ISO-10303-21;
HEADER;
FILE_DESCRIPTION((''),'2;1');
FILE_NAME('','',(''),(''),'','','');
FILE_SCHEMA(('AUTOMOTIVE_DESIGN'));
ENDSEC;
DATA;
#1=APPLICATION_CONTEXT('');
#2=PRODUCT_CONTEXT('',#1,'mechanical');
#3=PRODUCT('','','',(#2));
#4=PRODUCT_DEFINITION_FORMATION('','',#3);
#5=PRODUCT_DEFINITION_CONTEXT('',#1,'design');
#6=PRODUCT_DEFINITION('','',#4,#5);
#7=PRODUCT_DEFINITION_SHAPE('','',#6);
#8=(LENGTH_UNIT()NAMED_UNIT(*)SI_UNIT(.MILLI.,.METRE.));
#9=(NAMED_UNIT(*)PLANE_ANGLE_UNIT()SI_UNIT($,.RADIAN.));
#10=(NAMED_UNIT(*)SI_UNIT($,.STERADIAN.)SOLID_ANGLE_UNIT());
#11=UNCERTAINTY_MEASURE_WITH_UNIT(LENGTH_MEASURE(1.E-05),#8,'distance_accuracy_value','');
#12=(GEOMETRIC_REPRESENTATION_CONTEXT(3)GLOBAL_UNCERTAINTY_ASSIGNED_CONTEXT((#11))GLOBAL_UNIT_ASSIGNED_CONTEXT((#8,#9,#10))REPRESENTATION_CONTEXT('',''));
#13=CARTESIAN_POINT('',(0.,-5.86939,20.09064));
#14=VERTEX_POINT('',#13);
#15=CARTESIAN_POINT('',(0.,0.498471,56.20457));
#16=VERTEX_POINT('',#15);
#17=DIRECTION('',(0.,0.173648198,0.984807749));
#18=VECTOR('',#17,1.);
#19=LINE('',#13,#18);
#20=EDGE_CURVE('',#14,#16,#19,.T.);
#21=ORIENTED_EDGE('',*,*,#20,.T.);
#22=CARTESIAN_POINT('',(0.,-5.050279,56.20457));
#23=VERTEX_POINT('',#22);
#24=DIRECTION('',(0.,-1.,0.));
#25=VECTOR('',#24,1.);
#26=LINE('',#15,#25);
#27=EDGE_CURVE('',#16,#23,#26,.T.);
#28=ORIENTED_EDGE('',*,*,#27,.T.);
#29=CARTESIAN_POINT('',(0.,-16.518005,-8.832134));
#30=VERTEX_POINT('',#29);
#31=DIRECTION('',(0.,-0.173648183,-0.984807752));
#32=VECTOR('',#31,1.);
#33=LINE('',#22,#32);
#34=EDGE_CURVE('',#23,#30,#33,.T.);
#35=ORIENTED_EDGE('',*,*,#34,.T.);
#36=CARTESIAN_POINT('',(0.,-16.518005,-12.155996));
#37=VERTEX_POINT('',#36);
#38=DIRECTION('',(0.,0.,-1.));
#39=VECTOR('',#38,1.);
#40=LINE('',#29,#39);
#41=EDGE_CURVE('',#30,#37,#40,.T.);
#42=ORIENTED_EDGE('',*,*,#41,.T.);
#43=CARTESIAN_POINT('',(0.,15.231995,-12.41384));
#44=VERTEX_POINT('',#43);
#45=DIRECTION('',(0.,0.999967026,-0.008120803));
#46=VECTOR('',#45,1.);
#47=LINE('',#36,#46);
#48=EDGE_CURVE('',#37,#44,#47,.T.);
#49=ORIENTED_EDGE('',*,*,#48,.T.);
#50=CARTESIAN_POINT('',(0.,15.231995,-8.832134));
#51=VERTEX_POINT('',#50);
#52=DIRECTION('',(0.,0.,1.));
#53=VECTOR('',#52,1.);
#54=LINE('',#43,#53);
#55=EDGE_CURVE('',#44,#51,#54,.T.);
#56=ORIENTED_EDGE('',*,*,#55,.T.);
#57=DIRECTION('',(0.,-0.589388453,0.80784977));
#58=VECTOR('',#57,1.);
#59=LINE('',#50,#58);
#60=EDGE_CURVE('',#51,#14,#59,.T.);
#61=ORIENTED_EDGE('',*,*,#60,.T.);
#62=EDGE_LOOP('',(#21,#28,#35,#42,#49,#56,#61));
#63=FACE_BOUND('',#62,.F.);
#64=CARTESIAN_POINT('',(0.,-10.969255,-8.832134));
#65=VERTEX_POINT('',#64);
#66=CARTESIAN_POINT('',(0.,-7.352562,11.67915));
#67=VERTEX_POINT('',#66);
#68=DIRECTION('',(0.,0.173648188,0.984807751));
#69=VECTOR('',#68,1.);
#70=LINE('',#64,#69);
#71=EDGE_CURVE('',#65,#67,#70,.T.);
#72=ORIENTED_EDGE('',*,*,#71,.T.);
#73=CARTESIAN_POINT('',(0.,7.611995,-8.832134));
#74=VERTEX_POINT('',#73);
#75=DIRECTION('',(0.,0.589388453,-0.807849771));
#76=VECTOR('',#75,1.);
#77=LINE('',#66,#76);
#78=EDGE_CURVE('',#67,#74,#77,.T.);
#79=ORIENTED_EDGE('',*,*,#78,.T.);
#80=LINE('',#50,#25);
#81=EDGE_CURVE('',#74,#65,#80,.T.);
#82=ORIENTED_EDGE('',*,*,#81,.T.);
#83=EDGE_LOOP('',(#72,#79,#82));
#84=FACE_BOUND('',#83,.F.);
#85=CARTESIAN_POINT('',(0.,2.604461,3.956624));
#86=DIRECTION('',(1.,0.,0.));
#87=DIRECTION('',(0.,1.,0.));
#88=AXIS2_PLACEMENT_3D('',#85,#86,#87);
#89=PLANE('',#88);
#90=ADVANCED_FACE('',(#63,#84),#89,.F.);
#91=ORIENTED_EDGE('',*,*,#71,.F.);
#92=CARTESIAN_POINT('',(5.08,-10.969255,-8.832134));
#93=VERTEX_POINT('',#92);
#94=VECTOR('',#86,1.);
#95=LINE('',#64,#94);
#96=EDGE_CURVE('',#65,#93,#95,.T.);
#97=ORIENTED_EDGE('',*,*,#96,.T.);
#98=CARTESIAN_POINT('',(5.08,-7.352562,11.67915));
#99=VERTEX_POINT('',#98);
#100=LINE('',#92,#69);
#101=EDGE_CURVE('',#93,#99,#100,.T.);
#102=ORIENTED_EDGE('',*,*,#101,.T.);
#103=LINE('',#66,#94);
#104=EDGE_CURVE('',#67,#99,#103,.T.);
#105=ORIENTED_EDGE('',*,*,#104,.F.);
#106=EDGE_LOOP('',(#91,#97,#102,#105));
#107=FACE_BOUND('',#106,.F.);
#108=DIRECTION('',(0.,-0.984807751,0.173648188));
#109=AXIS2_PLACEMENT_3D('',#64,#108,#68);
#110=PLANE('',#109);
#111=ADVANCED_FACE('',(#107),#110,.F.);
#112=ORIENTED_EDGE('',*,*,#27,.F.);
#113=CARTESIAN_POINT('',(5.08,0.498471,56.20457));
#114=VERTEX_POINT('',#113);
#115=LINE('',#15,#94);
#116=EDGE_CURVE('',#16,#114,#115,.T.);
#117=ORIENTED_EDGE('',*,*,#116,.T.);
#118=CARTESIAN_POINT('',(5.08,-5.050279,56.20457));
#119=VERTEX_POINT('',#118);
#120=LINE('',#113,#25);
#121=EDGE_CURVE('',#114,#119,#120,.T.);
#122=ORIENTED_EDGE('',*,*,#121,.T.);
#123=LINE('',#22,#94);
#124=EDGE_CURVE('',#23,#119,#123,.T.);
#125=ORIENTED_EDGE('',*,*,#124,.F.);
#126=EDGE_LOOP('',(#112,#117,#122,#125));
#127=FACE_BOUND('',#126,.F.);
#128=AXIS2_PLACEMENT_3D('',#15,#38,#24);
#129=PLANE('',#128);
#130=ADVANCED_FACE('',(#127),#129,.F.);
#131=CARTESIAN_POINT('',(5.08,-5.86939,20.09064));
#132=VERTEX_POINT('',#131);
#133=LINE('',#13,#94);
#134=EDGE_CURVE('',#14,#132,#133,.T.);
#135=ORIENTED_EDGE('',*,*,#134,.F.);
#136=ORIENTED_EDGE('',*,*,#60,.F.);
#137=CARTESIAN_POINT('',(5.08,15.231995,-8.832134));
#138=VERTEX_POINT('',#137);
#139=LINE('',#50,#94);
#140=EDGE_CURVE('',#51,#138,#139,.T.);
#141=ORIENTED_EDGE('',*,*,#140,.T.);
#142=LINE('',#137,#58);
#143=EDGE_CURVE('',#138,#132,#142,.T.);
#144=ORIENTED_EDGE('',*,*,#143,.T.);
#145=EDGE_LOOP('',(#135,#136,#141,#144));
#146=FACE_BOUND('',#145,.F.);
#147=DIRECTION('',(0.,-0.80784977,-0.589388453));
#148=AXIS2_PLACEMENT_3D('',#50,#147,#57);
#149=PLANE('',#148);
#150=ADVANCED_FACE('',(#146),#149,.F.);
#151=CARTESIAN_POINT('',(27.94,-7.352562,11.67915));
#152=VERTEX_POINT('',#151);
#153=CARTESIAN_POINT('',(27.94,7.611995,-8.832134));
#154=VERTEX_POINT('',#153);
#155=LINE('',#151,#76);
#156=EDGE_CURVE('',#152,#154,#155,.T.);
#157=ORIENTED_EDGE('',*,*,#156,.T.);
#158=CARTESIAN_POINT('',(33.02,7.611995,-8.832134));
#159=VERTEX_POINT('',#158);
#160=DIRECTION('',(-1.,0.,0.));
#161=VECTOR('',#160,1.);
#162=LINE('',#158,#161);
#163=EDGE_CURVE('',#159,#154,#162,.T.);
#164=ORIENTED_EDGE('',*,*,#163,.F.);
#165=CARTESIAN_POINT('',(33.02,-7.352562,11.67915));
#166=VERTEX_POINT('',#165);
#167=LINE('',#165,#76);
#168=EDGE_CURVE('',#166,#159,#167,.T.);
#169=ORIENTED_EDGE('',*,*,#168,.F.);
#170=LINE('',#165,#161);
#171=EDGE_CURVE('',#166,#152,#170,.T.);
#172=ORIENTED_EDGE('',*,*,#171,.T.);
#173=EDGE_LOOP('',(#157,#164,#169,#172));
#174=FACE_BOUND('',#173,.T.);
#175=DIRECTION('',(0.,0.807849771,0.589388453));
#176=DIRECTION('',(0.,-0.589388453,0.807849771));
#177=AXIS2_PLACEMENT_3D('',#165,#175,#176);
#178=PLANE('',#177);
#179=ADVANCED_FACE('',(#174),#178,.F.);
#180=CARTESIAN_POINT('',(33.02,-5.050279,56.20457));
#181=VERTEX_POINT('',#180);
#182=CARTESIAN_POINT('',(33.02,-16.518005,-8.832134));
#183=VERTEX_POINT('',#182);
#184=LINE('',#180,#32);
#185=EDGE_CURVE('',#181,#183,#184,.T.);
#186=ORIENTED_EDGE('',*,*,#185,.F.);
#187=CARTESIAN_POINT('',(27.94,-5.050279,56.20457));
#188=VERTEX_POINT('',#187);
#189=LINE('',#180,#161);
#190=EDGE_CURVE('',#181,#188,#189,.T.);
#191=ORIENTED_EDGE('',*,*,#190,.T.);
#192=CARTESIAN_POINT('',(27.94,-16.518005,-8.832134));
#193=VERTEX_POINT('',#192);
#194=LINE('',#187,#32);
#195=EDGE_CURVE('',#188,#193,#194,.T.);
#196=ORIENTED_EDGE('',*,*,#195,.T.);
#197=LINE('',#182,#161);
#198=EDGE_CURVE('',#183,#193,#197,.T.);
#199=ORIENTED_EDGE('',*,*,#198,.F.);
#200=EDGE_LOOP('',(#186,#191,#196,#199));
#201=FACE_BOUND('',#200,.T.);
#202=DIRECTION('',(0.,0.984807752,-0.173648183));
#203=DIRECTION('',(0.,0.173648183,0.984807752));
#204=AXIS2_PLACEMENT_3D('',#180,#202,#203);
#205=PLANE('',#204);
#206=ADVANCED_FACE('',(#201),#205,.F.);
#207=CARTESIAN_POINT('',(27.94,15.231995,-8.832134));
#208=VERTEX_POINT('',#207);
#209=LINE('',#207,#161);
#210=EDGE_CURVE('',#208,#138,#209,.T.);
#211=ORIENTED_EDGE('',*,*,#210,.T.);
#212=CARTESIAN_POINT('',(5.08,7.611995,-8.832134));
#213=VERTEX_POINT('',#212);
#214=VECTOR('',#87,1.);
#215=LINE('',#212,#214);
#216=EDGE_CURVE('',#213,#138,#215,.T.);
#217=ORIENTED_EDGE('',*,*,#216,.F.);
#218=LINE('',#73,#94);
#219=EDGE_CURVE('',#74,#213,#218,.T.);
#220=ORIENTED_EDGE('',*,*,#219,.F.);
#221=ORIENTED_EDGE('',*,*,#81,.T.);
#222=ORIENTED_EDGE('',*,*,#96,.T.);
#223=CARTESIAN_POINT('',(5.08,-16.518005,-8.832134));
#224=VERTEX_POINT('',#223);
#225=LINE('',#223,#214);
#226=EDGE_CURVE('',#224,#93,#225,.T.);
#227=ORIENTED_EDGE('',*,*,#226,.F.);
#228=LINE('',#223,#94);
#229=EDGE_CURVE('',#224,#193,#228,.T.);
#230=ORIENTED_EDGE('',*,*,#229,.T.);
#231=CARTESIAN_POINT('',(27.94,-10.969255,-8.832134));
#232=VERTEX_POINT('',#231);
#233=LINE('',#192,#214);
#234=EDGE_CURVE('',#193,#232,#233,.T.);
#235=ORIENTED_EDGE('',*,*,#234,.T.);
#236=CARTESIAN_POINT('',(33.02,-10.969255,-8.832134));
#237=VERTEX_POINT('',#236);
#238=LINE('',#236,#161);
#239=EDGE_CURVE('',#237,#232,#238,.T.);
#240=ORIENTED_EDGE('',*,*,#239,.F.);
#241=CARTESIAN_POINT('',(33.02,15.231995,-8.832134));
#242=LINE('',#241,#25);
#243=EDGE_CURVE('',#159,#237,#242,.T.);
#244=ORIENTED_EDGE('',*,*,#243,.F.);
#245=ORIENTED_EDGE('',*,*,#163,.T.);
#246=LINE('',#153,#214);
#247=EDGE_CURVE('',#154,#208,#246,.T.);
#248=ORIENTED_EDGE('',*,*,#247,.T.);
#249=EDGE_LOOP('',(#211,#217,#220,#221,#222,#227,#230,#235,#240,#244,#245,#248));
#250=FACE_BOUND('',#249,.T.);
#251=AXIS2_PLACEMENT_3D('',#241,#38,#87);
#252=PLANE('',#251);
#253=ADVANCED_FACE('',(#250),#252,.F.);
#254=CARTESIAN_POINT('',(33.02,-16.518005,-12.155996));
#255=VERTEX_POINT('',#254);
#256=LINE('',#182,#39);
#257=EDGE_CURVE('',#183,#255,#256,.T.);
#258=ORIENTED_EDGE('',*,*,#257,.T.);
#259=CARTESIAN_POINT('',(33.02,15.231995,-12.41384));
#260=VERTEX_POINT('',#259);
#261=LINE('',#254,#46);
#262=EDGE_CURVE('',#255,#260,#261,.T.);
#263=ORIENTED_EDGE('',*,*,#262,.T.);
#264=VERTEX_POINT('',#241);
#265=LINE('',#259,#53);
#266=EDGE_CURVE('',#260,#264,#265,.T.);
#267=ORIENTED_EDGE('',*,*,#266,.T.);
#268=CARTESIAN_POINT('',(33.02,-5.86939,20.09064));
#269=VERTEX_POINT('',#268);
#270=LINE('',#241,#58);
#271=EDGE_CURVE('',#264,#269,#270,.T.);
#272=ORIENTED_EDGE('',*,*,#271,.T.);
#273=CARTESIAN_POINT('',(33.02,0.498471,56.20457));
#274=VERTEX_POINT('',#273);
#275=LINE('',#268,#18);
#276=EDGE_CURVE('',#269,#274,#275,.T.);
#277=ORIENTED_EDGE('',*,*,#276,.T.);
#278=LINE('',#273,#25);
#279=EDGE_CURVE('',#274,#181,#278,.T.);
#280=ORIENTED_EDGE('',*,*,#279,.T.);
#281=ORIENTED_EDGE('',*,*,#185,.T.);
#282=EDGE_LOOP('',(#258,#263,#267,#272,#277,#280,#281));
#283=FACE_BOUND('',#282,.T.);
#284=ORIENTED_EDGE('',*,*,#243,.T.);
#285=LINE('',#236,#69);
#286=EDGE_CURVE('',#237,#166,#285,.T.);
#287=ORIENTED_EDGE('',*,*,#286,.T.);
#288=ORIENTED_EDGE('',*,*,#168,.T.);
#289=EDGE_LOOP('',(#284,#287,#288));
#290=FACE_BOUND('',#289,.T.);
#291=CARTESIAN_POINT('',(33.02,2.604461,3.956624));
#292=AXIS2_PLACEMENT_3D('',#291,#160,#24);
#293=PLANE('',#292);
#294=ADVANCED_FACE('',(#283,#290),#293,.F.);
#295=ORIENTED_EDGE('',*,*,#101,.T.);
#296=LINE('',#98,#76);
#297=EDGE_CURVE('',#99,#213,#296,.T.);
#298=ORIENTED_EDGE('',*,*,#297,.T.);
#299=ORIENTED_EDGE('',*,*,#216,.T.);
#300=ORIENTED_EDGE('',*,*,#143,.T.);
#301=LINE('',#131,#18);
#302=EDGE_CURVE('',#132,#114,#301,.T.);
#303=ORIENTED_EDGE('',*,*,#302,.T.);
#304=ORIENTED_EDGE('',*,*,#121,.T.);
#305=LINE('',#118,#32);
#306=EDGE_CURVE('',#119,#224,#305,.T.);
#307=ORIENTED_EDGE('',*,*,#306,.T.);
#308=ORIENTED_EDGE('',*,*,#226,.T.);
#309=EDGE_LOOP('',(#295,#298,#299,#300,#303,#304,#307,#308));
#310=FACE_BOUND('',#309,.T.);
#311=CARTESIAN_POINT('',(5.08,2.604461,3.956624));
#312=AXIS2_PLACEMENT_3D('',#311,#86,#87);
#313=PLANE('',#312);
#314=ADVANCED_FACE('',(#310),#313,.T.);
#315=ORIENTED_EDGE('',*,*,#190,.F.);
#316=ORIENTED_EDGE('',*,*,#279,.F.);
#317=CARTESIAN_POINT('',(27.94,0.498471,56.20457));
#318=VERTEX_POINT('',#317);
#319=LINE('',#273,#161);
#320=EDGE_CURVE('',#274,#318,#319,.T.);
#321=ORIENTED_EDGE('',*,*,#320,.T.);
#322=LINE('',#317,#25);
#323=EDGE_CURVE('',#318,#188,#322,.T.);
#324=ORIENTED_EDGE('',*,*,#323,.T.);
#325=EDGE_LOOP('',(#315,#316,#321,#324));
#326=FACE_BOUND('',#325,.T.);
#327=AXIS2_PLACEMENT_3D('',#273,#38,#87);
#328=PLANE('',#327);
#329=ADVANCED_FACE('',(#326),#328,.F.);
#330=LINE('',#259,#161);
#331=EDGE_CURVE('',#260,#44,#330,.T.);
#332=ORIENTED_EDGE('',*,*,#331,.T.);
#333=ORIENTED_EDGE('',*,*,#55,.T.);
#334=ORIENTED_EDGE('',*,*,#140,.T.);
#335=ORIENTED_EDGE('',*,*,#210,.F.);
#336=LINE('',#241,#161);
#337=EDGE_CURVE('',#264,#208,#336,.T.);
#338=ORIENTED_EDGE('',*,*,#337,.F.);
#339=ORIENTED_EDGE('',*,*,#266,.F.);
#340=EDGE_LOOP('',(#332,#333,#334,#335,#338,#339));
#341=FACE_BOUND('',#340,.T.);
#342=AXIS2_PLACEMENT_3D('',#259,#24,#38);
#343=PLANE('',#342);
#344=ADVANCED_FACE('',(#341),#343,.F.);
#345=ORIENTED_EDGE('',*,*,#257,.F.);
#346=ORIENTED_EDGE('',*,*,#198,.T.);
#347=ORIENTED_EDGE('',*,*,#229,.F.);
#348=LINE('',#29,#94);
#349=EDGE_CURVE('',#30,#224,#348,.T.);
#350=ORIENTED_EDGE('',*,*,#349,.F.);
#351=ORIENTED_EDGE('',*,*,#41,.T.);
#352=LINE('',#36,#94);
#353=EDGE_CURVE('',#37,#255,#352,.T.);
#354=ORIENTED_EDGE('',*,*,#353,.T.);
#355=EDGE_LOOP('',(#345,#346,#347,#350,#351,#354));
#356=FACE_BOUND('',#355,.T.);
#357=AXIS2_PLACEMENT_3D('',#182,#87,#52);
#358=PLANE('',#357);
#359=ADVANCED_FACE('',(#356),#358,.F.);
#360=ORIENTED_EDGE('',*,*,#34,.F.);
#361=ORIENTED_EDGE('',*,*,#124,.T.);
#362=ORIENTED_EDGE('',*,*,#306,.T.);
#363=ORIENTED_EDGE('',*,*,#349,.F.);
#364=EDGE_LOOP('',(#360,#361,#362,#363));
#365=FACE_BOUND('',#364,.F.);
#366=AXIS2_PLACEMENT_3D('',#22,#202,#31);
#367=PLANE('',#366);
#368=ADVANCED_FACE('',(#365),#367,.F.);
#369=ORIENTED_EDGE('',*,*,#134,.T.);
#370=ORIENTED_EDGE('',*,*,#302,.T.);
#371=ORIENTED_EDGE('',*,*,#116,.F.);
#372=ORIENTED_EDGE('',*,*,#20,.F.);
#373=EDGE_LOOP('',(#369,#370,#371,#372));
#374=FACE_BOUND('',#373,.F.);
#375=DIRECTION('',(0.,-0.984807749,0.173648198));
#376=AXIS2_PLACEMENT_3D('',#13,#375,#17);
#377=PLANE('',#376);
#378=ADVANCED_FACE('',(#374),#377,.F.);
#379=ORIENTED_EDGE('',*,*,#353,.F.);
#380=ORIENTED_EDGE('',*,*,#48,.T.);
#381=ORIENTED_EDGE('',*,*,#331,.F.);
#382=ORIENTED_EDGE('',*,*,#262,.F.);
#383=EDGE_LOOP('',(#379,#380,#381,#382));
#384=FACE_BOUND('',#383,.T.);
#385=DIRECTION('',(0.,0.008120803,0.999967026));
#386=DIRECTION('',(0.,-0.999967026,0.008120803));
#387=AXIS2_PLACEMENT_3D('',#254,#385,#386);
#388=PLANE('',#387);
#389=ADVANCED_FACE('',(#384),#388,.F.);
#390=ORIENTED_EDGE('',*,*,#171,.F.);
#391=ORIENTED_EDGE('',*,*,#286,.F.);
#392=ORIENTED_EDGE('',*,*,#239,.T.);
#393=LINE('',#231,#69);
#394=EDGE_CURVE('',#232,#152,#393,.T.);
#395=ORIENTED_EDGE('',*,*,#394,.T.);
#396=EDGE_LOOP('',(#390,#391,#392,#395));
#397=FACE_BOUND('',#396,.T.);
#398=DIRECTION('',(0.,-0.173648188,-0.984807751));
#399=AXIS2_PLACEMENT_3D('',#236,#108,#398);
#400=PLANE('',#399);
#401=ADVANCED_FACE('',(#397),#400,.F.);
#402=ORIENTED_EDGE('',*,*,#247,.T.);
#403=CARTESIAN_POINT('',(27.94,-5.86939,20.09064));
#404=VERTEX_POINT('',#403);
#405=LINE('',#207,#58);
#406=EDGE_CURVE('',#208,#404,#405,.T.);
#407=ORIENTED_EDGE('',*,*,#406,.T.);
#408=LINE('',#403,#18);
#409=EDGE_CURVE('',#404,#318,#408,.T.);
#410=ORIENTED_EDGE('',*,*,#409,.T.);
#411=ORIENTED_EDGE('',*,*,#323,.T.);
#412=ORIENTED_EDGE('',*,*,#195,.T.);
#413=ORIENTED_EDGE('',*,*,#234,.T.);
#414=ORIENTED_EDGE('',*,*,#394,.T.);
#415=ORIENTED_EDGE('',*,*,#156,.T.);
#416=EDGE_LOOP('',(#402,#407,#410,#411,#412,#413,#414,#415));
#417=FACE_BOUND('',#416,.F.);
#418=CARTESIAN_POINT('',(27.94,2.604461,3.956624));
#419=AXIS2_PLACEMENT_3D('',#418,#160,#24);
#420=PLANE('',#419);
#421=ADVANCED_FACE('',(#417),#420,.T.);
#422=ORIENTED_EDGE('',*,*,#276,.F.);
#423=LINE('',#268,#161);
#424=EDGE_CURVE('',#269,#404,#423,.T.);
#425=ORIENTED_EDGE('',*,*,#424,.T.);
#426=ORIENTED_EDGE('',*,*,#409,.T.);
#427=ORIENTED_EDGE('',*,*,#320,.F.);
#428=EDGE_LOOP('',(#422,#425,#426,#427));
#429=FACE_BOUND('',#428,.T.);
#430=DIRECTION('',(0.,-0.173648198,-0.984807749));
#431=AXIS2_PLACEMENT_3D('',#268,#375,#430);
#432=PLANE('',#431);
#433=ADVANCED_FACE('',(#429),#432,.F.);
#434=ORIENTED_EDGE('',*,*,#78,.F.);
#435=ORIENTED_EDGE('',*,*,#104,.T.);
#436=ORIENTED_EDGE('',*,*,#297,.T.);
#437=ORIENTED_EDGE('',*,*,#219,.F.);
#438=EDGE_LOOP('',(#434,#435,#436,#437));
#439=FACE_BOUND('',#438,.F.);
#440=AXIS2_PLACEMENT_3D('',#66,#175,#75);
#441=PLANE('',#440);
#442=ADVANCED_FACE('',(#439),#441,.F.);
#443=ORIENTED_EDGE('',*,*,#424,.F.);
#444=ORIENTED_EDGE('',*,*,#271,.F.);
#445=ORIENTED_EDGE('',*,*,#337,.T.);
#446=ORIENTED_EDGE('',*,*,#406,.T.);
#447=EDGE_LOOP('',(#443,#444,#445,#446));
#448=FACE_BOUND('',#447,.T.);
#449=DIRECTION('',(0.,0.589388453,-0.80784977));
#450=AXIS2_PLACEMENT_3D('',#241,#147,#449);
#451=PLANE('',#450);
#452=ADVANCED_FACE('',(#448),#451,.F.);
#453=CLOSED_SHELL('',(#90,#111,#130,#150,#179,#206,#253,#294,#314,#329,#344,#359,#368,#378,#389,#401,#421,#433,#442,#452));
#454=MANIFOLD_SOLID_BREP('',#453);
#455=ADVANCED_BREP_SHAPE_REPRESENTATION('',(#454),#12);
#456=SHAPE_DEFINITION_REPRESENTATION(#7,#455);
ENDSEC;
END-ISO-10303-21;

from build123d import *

# Parameters (mm, degrees)
F1_DEPTH = 16.51
F2_DEPTH = 5.08


with BuildPart() as f1:
    # F0 (on Right) → F1 (new body)
    with BuildSketch(Plane.YZ):
        Polygon((-10.969255, -8.832134), (-16.518005, -8.832134), (-16.518005, -12.155996), (15.231995, -12.41384), (15.231995, -8.832134), (7.611995, -8.832134), align=None)
    extrude(amount=F1_DEPTH)

    # F0 (on Right) → F2 (join)
    with BuildSketch(Plane.YZ):
        Polygon((-5.86939, 20.09064), (-7.352562, 11.67915), (7.611995, -8.832134), (15.231995, -8.832134), align=None)
        Polygon((-5.050279, 56.20457), (-16.518005, -8.832134), (-10.969255, -8.832134), (-7.352562, 11.67915), (-5.86939, 20.09064), (0.498471, 56.20457), align=None)
    extrude(amount=F2_DEPTH)

    # F3: F1 across face


with BuildPart() as f1_1:
    add(f1.part)
    add(f1.part.mirror(Plane(origin=(16.51, -0.445421, -10.559328), x_dir=(0, 1, 0), z_dir=(1, 0, 0))))


solid = f1_1.part
